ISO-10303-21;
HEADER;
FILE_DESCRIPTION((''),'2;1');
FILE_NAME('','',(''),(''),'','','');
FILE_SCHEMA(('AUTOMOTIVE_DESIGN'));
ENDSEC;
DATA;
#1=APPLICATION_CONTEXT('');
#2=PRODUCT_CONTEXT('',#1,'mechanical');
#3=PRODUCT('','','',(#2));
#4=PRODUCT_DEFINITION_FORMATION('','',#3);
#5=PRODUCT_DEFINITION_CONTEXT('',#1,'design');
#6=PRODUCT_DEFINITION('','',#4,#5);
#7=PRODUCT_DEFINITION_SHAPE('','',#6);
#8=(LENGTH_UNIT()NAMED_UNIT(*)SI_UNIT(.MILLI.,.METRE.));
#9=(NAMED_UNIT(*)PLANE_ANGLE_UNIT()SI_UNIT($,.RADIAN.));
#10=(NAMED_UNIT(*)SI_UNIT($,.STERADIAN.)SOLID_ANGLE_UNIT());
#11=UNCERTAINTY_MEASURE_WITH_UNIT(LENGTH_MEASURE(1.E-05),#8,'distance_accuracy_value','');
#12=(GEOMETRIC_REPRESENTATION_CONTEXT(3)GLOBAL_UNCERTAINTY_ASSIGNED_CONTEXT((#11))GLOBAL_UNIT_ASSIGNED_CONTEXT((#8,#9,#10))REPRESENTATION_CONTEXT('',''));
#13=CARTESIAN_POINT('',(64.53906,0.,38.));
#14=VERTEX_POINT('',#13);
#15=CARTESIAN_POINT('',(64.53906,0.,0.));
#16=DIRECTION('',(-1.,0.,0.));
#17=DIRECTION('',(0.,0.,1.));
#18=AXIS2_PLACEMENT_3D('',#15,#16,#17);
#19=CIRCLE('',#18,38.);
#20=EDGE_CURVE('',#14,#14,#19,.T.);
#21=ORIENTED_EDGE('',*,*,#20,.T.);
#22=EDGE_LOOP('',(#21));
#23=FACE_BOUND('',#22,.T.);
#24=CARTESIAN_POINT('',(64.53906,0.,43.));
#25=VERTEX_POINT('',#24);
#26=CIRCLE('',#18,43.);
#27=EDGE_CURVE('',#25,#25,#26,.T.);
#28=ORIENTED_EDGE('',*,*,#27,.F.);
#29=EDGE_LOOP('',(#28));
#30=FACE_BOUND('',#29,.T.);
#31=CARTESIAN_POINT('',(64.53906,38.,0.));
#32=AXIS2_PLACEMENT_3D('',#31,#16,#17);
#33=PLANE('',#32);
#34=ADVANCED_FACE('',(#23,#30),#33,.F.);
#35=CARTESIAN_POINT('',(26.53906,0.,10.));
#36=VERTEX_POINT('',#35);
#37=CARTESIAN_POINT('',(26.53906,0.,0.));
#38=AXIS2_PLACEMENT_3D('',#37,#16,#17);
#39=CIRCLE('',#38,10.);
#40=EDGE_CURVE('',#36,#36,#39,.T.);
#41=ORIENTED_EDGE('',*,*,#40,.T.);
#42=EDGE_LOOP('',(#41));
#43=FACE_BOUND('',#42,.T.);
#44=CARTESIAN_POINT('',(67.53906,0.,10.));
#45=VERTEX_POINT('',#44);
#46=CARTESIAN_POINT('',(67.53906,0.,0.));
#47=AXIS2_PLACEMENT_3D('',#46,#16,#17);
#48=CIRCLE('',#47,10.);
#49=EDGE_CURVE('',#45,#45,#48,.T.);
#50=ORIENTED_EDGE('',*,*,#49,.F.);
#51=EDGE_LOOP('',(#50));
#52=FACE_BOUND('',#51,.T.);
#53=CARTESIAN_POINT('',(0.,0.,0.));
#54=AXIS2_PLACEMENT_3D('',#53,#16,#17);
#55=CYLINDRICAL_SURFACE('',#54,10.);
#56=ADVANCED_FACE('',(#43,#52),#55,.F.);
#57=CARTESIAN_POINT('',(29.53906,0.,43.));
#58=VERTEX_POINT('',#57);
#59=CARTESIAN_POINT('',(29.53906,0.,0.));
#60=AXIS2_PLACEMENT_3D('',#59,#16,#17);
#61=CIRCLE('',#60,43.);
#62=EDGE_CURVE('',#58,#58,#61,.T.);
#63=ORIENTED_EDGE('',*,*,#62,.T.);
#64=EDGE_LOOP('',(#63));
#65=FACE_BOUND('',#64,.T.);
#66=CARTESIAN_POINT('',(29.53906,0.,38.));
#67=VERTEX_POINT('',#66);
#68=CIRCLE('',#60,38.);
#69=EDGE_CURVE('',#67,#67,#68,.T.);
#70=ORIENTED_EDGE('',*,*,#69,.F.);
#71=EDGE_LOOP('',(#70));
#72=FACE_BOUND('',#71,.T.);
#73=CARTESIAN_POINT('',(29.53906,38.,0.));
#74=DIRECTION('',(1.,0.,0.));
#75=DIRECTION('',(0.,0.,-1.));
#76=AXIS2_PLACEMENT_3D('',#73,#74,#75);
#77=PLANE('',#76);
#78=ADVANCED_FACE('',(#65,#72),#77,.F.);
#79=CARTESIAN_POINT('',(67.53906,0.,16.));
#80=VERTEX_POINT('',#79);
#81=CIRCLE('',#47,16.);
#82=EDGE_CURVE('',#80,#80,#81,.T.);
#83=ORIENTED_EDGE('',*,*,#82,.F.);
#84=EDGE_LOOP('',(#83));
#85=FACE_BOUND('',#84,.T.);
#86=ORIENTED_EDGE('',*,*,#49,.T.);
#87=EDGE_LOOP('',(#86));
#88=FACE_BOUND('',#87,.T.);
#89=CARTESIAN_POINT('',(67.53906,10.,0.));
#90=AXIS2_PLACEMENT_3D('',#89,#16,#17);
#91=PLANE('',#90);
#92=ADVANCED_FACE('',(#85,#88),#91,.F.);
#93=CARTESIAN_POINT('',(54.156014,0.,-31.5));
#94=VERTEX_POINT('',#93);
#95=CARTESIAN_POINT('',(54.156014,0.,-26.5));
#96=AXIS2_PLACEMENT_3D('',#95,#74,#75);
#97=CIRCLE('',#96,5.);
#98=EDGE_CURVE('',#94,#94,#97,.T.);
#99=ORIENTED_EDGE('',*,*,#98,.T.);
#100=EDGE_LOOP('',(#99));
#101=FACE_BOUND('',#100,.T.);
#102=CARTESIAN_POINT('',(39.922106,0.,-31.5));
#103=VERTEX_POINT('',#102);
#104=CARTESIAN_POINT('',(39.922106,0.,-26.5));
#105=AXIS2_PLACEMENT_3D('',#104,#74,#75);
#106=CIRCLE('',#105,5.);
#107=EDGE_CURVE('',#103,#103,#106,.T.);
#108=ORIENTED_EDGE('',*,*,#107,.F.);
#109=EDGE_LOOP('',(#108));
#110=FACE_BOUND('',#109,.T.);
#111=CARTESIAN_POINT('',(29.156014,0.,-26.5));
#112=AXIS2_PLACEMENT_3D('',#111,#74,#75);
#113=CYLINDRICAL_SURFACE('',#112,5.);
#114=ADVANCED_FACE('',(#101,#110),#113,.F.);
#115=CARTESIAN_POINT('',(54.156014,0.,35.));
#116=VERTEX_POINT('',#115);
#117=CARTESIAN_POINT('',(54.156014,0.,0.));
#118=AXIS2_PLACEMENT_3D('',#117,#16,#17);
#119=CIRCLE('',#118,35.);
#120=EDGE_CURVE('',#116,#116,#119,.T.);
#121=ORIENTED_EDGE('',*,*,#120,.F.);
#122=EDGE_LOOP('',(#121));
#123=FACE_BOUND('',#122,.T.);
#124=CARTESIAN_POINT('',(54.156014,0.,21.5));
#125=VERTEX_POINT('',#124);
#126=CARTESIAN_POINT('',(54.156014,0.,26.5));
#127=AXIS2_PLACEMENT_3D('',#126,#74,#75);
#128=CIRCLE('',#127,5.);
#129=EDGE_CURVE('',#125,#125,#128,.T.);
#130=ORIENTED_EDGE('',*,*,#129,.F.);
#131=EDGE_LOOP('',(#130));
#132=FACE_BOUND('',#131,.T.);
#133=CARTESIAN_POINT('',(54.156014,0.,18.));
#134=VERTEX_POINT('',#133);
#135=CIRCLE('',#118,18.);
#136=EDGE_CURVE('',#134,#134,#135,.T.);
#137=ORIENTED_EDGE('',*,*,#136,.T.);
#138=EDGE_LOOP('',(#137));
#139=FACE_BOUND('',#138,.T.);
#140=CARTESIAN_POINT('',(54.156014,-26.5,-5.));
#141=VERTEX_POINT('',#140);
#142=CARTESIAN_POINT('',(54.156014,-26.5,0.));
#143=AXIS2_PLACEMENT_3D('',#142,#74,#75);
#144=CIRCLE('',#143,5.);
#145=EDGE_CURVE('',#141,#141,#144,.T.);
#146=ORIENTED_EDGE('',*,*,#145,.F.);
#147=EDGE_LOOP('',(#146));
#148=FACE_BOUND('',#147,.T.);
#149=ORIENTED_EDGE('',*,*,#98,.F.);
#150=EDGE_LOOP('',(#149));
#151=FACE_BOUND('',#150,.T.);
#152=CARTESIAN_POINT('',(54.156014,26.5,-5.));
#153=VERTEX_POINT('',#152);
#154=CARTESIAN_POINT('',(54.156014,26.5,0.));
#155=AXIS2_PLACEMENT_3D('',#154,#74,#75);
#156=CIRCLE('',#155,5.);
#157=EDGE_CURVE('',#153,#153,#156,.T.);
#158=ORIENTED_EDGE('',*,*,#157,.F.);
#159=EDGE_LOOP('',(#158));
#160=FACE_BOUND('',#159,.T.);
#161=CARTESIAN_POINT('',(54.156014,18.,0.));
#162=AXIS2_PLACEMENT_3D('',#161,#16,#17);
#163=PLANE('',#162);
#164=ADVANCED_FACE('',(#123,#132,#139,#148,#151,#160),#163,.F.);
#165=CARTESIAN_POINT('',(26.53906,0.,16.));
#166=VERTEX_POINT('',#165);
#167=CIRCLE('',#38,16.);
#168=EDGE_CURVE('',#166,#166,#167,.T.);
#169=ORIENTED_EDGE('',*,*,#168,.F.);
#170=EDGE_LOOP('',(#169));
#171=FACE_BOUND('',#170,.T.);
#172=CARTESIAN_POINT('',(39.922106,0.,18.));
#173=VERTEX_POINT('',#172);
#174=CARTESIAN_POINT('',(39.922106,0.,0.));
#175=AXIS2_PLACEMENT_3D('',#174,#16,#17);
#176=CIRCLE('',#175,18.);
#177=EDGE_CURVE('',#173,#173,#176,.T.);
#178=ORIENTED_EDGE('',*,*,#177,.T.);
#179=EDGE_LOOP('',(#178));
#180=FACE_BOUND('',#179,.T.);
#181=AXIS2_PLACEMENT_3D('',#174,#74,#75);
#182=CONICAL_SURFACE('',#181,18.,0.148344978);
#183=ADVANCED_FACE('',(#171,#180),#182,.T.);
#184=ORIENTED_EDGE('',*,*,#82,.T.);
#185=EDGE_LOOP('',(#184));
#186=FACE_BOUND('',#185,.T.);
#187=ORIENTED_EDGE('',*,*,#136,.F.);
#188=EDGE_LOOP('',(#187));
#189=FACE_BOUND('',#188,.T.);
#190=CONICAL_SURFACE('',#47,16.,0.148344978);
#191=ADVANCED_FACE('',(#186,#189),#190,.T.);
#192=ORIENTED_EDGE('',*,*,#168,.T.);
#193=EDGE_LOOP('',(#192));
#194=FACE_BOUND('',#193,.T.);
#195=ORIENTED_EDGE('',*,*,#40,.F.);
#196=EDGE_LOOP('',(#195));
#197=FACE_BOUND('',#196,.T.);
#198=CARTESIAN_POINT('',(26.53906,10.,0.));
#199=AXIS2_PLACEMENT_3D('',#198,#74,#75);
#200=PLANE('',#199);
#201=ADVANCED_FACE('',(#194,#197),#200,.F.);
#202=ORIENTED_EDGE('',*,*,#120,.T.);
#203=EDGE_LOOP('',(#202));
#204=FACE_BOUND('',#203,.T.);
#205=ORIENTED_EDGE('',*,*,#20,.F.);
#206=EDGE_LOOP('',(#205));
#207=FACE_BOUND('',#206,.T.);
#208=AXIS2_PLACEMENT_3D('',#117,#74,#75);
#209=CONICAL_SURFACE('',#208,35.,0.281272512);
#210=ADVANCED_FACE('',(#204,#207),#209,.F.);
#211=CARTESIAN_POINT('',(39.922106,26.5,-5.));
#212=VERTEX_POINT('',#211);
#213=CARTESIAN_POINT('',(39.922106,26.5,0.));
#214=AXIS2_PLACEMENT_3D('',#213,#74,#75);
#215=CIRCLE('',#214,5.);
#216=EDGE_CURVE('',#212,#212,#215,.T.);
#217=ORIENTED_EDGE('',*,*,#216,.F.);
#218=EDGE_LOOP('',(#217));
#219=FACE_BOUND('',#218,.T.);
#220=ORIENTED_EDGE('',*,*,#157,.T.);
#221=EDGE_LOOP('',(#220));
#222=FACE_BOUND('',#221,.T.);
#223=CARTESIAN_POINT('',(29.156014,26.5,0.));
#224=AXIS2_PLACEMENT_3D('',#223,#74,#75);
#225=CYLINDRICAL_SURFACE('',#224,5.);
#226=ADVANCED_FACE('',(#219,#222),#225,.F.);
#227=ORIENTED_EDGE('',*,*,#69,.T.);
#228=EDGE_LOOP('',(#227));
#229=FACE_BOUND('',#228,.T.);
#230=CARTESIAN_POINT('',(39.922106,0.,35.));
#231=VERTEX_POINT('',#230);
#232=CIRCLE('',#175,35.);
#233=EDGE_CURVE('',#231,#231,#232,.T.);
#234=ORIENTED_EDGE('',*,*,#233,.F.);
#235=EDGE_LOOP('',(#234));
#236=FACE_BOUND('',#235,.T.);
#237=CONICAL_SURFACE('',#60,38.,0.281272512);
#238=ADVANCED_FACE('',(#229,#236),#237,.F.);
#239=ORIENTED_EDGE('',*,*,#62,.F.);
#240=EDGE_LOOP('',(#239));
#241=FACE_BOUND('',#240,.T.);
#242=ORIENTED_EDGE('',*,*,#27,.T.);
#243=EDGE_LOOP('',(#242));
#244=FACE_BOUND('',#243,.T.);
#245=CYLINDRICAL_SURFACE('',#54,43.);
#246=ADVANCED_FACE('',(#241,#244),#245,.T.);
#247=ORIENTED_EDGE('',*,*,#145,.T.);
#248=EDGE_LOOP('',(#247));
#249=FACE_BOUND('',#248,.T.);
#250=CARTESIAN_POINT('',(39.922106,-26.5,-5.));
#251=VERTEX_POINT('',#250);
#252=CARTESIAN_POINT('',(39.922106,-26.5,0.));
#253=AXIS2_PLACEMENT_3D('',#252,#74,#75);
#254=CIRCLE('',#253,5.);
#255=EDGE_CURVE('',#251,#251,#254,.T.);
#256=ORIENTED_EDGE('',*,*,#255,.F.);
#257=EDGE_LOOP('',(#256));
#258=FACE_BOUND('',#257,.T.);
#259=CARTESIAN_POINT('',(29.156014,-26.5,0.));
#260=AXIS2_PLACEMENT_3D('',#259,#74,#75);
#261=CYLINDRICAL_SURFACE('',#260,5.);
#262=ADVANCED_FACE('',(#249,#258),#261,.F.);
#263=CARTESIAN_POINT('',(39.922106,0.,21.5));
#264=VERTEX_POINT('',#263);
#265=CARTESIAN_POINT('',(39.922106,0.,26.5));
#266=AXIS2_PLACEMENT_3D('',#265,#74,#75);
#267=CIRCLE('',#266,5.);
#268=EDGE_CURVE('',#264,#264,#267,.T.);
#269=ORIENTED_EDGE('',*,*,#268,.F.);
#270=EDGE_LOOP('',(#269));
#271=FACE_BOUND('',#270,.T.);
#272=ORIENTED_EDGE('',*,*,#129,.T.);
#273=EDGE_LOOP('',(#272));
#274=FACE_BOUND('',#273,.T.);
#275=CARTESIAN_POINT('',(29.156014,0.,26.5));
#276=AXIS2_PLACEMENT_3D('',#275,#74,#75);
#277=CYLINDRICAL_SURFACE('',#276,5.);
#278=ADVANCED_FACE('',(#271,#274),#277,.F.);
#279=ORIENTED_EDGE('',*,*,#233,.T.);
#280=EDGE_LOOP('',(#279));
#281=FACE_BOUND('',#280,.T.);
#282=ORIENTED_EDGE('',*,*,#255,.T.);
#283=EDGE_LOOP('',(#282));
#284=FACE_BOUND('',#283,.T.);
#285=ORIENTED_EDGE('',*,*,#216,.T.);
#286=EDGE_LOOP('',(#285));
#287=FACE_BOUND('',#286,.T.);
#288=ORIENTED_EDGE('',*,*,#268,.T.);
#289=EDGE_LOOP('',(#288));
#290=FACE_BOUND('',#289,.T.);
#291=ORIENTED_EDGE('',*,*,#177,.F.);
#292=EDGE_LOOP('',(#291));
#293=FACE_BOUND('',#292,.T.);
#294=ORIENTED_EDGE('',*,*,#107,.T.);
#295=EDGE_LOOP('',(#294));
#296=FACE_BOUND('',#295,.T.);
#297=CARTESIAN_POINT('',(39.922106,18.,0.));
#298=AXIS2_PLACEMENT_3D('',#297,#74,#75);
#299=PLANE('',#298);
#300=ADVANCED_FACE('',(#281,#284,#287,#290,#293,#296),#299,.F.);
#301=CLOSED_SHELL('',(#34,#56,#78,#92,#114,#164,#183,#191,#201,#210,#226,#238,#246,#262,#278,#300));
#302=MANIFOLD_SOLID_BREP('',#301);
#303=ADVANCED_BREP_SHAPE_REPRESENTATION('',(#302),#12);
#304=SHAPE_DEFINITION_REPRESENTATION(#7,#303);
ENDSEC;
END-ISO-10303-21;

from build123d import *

# Parameters (mm, degrees)
SKETCH2_R          = 5
CUT_EXTRUDE1_DEPTH = 25


with BuildPart() as part:
    # Sketch1 → Revolve1 (revolve)
    with BuildSketch(Plane.XY, mode=Mode.PRIVATE) as revolve1_sk:
        Polygon((67.539059874, 10), (26.539059874, 10), (26.539059874, 16), (39.922105525, 18), (39.922105525, 35), (29.539059874, 38), (29.539059874, 43), (64.539059874, 43), (64.539059874, 38), (54.156014223, 35), (54.156014223, 18), (67.539059874, 16), align=None)
    revolve(revolve1_sk.sketch.rotate(Axis((0, 0, 0), (1, 0, 0)), 90), axis=Axis((0, 0, 0), (1, 0, 0)))

    # Sketch2 → Cut-Extrude1 (cut)
    with BuildSketch(Plane(origin=(54.156014223, 0, 0), x_dir=(0, 0, -1), z_dir=(1, 0, 0))):
        with Locations((0, 26.5)):
            Circle(SKETCH2_R)
        with Locations((26.5, 0)):
            Circle(SKETCH2_R)
        with Locations((0, -26.5)):
            Circle(SKETCH2_R)
        with Locations((-26.5, 0)):
            Circle(SKETCH2_R)
    extrude(amount=-CUT_EXTRUDE1_DEPTH, mode=Mode.SUBTRACT)


solid = part.part
